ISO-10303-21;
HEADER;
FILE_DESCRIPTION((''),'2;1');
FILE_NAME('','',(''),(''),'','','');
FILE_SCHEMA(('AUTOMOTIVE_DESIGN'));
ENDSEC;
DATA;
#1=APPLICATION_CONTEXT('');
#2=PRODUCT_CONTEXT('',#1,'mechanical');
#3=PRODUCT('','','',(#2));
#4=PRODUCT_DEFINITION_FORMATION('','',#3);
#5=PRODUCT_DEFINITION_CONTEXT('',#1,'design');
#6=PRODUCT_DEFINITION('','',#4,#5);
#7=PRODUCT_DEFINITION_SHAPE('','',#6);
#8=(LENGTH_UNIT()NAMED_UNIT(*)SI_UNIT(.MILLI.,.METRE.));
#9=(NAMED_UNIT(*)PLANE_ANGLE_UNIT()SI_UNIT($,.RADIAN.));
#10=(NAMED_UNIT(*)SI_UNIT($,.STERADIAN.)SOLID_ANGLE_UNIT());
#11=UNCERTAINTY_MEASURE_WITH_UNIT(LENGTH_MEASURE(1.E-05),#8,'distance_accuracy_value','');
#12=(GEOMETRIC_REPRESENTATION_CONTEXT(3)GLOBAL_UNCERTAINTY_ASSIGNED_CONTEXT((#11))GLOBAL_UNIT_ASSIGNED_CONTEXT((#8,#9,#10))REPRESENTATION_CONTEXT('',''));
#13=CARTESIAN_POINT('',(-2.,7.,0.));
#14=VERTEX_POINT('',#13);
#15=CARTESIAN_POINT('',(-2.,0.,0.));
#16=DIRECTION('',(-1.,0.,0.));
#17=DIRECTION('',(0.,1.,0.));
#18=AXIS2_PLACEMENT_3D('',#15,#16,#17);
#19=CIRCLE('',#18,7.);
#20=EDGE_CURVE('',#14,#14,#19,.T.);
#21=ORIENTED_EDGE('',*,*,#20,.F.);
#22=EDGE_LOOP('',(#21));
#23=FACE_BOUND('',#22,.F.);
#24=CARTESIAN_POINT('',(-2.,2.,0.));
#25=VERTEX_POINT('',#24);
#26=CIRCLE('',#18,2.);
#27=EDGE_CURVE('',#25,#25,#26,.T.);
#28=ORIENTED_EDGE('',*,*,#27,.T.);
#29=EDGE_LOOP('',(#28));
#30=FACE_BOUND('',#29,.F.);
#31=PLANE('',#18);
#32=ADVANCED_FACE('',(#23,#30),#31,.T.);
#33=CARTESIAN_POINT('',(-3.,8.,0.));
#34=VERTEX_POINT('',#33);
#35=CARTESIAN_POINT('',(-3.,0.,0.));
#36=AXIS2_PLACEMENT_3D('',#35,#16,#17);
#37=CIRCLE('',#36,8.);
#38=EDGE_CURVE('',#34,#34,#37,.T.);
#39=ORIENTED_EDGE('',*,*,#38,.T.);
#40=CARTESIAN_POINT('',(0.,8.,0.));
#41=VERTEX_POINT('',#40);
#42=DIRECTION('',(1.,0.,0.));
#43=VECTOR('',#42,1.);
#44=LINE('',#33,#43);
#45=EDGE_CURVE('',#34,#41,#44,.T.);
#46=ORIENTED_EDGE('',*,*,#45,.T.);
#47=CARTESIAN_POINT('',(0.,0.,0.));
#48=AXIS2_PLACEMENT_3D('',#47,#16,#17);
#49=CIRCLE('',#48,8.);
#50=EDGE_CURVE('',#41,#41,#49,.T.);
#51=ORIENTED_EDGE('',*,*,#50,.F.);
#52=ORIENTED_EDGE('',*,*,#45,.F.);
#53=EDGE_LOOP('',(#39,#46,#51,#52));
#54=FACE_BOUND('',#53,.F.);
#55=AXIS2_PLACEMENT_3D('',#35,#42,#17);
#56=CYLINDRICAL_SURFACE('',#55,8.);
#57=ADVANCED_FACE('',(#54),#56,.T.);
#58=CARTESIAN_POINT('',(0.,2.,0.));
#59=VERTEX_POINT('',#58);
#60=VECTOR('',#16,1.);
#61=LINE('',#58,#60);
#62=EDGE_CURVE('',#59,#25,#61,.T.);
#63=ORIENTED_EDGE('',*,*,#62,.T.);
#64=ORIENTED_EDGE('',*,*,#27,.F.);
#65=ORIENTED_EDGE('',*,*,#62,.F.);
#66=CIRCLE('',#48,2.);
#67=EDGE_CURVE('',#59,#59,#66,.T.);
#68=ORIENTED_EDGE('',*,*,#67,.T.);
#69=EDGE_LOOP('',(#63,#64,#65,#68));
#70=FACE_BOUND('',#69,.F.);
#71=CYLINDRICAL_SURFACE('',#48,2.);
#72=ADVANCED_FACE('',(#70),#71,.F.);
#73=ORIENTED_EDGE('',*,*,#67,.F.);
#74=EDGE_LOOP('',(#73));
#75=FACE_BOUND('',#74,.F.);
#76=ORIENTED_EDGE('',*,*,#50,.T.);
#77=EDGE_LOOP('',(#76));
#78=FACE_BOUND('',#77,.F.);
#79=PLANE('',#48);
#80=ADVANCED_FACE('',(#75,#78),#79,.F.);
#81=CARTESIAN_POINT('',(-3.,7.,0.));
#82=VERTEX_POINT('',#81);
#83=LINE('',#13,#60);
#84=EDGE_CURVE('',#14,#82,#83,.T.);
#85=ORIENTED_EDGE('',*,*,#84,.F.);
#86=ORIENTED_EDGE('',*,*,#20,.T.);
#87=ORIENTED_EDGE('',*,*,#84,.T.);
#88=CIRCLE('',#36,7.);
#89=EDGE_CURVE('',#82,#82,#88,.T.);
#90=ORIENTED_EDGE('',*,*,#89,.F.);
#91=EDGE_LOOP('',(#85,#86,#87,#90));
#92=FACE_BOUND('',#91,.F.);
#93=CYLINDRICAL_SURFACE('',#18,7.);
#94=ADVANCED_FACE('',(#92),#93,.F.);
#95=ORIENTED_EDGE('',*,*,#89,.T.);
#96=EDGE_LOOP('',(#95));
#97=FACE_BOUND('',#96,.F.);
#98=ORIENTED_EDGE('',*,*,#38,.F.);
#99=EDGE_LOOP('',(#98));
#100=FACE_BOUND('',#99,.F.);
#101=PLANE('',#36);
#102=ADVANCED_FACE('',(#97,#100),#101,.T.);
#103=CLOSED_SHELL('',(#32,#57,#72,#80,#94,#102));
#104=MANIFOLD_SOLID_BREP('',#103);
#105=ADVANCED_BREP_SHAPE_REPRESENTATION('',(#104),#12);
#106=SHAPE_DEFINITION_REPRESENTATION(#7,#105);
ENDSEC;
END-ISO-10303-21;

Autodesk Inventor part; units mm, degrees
ref_plane "YZ Plane" through (0, 0, 0) normal (1, 0, 0) x (0, 1, 0)
ref_plane "XZ Plane" through (0, 0, 0) normal (0, 1, 0) x (-1, 0, 0)
ref_plane "XY Plane" through (0, 0, 0) normal (0, 0, 1) x (1, 0, 0)
sketch "Sketch1" plane through (0, 0, 0) normal (0, 0, 1) x (1, 0, 0)
  line L0 (-2, 2) -> (-2, 7)
  line L1 (-2, 7) -> (-3, 7)
  line L2 (-3, 7) -> (-3, 8)
  line L3 (-3, 8) -> (0, 8)
  line L4 (0, 8) -> (0, 2)
  line L5 (0, 2) -> (-2, 2)
  line L6 (0, 0) -> (-1.3687, 0) construction
  dimension "d0" = 14
  dimension "d1" = 1
  dimension "d2" = 1
  dimension "d3" = 2
  dimension "d4" = 4
revolve "Revolution1" add sketch "Sketch1" angle 360 about axis through (0, 0, 0) along (-1, 0, 0)
properties part number "Rubber_Gromment_Cap_LM6015" material "ABS Plastic"
